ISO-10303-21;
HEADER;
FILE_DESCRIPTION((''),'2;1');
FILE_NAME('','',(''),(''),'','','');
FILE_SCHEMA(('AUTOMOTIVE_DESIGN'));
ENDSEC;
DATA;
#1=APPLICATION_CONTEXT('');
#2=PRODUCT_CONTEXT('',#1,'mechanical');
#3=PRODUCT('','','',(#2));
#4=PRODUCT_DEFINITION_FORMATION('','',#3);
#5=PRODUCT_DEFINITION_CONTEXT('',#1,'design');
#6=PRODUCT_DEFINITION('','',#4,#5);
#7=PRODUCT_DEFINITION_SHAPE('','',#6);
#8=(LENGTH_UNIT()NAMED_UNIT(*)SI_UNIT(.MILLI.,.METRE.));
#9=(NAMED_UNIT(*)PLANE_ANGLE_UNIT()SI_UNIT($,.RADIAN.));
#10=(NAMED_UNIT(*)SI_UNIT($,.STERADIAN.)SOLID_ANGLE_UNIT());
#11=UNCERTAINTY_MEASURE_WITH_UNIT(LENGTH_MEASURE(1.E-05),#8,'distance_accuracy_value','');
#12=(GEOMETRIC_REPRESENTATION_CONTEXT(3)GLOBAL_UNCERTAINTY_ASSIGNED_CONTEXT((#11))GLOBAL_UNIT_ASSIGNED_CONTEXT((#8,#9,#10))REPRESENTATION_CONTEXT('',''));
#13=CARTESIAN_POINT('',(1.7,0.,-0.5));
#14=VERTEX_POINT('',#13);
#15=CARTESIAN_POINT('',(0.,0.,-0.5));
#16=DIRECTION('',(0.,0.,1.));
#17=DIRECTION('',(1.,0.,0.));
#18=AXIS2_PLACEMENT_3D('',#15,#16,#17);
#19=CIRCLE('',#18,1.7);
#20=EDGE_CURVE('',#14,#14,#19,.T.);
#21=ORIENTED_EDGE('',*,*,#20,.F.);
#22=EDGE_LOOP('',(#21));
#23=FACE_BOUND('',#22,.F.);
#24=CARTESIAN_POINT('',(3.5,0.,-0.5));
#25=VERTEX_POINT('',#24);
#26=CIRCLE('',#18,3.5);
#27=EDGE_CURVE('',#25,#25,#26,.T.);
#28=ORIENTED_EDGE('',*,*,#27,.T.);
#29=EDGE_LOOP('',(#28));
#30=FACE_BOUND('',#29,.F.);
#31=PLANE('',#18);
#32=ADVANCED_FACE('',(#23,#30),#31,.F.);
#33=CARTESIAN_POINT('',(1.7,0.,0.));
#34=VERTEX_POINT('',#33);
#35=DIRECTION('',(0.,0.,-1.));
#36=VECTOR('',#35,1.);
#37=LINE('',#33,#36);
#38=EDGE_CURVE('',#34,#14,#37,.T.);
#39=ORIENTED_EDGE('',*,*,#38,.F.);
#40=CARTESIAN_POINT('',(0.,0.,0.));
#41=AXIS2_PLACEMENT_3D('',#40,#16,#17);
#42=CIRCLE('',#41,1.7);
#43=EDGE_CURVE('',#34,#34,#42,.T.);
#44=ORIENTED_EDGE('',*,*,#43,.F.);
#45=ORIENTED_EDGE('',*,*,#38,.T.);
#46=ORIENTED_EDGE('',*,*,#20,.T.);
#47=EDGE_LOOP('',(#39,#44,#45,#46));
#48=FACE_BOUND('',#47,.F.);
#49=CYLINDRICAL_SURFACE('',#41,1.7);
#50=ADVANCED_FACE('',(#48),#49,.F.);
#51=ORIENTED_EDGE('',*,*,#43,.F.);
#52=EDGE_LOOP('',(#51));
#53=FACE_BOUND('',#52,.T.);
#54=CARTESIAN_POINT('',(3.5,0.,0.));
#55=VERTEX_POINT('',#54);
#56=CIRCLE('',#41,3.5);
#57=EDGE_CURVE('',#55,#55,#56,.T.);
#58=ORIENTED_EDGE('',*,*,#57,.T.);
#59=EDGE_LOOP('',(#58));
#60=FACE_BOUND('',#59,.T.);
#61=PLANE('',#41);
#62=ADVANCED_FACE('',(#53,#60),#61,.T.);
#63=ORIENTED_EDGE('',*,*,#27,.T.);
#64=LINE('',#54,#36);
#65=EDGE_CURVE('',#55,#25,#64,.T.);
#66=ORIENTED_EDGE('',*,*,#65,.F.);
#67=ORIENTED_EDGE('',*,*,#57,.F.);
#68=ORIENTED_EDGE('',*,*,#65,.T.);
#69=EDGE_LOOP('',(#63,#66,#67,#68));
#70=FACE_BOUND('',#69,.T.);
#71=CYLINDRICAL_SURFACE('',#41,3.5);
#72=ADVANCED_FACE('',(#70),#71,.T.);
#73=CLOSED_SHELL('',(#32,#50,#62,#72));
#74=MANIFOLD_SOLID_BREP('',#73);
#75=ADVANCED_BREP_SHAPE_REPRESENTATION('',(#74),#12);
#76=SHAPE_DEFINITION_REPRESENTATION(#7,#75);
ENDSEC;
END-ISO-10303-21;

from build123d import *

# Parameters (mm, degrees)
SKETCH1_R          = 3.5
SKETCH1_R_2        = 1.7
BASE_EXTRUDE_DEPTH = 0.5


with BuildPart() as part:
    # Sketch1 → Base-Extrude (new body)
    with BuildSketch(Plane.XY):
        Circle(SKETCH1_R)
        Circle(SKETCH1_R_2, mode=Mode.SUBTRACT)
    extrude(amount=-BASE_EXTRUDE_DEPTH)


solid = part.part
